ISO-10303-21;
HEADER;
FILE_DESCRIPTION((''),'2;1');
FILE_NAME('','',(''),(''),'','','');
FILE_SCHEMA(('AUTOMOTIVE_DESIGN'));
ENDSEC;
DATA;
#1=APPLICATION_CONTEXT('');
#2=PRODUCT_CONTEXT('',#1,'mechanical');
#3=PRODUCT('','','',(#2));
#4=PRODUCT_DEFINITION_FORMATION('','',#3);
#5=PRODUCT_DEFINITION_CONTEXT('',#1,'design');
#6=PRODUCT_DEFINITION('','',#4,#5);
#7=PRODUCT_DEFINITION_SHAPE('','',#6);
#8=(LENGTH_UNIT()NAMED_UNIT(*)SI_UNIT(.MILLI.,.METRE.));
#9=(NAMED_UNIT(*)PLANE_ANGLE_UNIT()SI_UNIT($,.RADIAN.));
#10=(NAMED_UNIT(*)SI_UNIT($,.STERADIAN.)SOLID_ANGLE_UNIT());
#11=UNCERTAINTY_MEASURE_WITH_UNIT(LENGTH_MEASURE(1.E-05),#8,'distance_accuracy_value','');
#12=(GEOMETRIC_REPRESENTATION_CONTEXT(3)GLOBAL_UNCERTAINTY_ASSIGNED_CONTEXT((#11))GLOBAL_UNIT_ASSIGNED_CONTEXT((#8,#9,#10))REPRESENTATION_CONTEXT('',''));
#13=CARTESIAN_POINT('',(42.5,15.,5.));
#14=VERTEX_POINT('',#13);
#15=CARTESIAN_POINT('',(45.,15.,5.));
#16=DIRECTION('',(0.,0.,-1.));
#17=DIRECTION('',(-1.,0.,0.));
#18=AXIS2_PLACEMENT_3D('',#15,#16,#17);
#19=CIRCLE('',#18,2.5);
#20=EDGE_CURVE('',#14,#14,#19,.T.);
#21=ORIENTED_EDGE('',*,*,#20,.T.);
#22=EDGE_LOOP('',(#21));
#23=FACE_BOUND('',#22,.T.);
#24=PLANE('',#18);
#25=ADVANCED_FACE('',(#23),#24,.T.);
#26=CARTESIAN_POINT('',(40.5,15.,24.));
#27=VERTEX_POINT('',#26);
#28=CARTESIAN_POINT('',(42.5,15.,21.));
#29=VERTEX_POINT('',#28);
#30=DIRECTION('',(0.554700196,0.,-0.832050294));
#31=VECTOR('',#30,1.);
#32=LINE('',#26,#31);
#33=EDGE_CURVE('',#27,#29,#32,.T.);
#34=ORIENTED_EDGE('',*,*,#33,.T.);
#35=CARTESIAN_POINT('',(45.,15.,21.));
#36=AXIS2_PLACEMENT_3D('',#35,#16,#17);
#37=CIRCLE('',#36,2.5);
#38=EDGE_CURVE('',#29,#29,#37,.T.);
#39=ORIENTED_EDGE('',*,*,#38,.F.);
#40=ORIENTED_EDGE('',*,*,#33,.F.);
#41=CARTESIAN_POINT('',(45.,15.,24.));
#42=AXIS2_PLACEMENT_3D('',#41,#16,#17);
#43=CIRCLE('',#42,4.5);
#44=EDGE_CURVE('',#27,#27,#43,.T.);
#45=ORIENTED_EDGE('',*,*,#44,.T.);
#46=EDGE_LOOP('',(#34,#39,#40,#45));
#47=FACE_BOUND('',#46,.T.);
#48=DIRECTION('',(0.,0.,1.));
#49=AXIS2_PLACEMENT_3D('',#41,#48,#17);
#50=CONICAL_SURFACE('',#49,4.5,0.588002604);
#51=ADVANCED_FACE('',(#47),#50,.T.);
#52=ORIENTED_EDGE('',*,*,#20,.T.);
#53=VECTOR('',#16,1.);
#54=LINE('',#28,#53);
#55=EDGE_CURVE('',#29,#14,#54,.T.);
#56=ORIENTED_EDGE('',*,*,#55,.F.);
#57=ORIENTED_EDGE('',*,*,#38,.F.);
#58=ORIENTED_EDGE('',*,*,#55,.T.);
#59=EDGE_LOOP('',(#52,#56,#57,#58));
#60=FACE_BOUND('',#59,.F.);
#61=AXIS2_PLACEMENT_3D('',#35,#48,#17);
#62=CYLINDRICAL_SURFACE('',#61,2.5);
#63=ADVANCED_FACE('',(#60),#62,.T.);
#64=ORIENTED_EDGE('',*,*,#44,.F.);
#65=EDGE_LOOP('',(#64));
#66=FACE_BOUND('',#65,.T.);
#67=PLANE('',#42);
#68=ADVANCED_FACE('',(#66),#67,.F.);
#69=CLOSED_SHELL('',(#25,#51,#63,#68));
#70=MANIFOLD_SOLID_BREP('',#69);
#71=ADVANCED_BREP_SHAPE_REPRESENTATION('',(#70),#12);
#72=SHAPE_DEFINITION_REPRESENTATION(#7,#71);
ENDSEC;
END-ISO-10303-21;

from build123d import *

# Parameters (mm, degrees)
CYLINDER011_R                   = 2.5
CYLINDER011_DEPTH               = 16
FUSION001018017_PLACEMENT_ANGLE = 180


with BuildPart() as cone003:
    # Cone003 → Cone003 (revolve)
    with BuildSketch(Plane(origin=(0, 0, -3), x_dir=(1, 0, 0), z_dir=(0, -1, 0))):
        Polygon((0, 0), (4.5, 0), (2.5, 3), (0, 3), align=None)
    revolve(axis=Axis((0, 0, -3), (0, 0, 1)))


with BuildPart() as clone_of_m5x16_senkkopf008:
    # Cylinder011 → Cylinder011 (new body)
    with BuildSketch(Plane.XY):
        Circle(CYLINDER011_R)
    extrude(amount=CYLINDER011_DEPTH)

    # Fusion001018017: union Cone003
    add(cone003.part)


with BuildPart() as clone_of_m5x16_senkkopf008_1:
    # Fusion001018017 placement: moved
    add(clone_of_m5x16_senkkopf008.part.moved(Location((45, 15, 21))).rotate(Axis((45, 15, 21), (0, 1, 0)), FUSION001018017_PLACEMENT_ANGLE))


solid = clone_of_m5x16_senkkopf008_1.part
